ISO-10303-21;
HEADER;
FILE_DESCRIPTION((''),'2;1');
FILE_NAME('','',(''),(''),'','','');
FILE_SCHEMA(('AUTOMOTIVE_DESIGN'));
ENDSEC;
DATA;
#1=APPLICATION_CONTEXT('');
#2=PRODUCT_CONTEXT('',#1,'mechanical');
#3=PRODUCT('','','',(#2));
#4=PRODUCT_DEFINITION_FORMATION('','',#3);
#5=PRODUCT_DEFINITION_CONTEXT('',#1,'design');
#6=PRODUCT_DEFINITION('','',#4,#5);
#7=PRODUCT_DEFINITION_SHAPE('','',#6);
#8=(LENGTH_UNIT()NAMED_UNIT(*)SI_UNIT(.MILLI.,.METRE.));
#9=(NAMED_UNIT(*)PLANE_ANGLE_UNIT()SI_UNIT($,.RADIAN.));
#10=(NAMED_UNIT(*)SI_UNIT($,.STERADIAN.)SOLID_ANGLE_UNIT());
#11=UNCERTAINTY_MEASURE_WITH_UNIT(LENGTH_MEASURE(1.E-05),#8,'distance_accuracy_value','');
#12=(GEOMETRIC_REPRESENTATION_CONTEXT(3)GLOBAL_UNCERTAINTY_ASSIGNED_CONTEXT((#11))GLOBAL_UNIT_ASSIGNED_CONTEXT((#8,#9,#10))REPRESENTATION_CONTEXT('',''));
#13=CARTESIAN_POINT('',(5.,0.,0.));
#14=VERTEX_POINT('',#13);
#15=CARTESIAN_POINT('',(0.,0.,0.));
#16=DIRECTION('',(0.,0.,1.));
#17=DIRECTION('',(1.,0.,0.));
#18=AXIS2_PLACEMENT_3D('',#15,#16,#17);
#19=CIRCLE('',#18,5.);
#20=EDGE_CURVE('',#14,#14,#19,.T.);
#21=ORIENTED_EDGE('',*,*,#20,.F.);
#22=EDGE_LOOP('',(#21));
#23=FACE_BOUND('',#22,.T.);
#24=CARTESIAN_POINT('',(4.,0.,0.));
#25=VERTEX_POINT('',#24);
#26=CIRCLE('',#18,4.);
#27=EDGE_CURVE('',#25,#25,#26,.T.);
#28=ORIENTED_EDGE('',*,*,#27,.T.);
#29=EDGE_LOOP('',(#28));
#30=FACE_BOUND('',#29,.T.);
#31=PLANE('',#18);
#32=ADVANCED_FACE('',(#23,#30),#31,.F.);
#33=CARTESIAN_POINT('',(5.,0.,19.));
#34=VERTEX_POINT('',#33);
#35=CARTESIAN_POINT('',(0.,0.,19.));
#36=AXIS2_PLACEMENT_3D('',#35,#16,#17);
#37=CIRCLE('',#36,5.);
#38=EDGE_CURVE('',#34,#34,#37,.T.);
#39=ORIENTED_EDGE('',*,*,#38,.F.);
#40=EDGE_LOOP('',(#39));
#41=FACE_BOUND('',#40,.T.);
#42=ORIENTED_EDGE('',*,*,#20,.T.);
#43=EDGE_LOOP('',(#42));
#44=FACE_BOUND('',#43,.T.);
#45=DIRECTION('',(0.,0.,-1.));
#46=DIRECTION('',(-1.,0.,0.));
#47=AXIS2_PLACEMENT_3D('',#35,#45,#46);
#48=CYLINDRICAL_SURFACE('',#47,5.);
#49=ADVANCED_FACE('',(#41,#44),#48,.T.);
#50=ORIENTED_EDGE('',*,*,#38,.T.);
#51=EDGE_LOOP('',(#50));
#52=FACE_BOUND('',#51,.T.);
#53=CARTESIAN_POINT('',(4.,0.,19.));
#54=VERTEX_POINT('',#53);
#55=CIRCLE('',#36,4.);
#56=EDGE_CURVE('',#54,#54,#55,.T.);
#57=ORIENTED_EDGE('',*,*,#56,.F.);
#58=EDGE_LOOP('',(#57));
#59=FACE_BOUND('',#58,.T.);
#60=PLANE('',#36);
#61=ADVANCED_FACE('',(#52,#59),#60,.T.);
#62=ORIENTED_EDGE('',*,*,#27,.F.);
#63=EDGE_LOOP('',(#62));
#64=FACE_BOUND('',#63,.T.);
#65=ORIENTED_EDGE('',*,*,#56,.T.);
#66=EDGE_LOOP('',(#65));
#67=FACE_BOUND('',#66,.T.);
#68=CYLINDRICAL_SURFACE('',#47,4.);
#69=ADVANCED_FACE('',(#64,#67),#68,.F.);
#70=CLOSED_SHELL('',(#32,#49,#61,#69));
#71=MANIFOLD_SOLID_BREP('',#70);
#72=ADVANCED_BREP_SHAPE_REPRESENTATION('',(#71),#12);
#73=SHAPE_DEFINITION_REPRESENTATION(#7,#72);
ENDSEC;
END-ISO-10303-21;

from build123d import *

# Parameters (mm, degrees)
SKETCH_1_R      = 5
SKETCH_1_R_2    = 4
EXTRUDE_1_DEPTH = 19


with BuildPart() as part:
    # 스케치1 → 보스-돌출1 (new body)
    with BuildSketch(Plane.XY):
        Circle(SKETCH_1_R)
        Circle(SKETCH_1_R_2, mode=Mode.SUBTRACT)
    extrude(amount=EXTRUDE_1_DEPTH)


solid = part.part
